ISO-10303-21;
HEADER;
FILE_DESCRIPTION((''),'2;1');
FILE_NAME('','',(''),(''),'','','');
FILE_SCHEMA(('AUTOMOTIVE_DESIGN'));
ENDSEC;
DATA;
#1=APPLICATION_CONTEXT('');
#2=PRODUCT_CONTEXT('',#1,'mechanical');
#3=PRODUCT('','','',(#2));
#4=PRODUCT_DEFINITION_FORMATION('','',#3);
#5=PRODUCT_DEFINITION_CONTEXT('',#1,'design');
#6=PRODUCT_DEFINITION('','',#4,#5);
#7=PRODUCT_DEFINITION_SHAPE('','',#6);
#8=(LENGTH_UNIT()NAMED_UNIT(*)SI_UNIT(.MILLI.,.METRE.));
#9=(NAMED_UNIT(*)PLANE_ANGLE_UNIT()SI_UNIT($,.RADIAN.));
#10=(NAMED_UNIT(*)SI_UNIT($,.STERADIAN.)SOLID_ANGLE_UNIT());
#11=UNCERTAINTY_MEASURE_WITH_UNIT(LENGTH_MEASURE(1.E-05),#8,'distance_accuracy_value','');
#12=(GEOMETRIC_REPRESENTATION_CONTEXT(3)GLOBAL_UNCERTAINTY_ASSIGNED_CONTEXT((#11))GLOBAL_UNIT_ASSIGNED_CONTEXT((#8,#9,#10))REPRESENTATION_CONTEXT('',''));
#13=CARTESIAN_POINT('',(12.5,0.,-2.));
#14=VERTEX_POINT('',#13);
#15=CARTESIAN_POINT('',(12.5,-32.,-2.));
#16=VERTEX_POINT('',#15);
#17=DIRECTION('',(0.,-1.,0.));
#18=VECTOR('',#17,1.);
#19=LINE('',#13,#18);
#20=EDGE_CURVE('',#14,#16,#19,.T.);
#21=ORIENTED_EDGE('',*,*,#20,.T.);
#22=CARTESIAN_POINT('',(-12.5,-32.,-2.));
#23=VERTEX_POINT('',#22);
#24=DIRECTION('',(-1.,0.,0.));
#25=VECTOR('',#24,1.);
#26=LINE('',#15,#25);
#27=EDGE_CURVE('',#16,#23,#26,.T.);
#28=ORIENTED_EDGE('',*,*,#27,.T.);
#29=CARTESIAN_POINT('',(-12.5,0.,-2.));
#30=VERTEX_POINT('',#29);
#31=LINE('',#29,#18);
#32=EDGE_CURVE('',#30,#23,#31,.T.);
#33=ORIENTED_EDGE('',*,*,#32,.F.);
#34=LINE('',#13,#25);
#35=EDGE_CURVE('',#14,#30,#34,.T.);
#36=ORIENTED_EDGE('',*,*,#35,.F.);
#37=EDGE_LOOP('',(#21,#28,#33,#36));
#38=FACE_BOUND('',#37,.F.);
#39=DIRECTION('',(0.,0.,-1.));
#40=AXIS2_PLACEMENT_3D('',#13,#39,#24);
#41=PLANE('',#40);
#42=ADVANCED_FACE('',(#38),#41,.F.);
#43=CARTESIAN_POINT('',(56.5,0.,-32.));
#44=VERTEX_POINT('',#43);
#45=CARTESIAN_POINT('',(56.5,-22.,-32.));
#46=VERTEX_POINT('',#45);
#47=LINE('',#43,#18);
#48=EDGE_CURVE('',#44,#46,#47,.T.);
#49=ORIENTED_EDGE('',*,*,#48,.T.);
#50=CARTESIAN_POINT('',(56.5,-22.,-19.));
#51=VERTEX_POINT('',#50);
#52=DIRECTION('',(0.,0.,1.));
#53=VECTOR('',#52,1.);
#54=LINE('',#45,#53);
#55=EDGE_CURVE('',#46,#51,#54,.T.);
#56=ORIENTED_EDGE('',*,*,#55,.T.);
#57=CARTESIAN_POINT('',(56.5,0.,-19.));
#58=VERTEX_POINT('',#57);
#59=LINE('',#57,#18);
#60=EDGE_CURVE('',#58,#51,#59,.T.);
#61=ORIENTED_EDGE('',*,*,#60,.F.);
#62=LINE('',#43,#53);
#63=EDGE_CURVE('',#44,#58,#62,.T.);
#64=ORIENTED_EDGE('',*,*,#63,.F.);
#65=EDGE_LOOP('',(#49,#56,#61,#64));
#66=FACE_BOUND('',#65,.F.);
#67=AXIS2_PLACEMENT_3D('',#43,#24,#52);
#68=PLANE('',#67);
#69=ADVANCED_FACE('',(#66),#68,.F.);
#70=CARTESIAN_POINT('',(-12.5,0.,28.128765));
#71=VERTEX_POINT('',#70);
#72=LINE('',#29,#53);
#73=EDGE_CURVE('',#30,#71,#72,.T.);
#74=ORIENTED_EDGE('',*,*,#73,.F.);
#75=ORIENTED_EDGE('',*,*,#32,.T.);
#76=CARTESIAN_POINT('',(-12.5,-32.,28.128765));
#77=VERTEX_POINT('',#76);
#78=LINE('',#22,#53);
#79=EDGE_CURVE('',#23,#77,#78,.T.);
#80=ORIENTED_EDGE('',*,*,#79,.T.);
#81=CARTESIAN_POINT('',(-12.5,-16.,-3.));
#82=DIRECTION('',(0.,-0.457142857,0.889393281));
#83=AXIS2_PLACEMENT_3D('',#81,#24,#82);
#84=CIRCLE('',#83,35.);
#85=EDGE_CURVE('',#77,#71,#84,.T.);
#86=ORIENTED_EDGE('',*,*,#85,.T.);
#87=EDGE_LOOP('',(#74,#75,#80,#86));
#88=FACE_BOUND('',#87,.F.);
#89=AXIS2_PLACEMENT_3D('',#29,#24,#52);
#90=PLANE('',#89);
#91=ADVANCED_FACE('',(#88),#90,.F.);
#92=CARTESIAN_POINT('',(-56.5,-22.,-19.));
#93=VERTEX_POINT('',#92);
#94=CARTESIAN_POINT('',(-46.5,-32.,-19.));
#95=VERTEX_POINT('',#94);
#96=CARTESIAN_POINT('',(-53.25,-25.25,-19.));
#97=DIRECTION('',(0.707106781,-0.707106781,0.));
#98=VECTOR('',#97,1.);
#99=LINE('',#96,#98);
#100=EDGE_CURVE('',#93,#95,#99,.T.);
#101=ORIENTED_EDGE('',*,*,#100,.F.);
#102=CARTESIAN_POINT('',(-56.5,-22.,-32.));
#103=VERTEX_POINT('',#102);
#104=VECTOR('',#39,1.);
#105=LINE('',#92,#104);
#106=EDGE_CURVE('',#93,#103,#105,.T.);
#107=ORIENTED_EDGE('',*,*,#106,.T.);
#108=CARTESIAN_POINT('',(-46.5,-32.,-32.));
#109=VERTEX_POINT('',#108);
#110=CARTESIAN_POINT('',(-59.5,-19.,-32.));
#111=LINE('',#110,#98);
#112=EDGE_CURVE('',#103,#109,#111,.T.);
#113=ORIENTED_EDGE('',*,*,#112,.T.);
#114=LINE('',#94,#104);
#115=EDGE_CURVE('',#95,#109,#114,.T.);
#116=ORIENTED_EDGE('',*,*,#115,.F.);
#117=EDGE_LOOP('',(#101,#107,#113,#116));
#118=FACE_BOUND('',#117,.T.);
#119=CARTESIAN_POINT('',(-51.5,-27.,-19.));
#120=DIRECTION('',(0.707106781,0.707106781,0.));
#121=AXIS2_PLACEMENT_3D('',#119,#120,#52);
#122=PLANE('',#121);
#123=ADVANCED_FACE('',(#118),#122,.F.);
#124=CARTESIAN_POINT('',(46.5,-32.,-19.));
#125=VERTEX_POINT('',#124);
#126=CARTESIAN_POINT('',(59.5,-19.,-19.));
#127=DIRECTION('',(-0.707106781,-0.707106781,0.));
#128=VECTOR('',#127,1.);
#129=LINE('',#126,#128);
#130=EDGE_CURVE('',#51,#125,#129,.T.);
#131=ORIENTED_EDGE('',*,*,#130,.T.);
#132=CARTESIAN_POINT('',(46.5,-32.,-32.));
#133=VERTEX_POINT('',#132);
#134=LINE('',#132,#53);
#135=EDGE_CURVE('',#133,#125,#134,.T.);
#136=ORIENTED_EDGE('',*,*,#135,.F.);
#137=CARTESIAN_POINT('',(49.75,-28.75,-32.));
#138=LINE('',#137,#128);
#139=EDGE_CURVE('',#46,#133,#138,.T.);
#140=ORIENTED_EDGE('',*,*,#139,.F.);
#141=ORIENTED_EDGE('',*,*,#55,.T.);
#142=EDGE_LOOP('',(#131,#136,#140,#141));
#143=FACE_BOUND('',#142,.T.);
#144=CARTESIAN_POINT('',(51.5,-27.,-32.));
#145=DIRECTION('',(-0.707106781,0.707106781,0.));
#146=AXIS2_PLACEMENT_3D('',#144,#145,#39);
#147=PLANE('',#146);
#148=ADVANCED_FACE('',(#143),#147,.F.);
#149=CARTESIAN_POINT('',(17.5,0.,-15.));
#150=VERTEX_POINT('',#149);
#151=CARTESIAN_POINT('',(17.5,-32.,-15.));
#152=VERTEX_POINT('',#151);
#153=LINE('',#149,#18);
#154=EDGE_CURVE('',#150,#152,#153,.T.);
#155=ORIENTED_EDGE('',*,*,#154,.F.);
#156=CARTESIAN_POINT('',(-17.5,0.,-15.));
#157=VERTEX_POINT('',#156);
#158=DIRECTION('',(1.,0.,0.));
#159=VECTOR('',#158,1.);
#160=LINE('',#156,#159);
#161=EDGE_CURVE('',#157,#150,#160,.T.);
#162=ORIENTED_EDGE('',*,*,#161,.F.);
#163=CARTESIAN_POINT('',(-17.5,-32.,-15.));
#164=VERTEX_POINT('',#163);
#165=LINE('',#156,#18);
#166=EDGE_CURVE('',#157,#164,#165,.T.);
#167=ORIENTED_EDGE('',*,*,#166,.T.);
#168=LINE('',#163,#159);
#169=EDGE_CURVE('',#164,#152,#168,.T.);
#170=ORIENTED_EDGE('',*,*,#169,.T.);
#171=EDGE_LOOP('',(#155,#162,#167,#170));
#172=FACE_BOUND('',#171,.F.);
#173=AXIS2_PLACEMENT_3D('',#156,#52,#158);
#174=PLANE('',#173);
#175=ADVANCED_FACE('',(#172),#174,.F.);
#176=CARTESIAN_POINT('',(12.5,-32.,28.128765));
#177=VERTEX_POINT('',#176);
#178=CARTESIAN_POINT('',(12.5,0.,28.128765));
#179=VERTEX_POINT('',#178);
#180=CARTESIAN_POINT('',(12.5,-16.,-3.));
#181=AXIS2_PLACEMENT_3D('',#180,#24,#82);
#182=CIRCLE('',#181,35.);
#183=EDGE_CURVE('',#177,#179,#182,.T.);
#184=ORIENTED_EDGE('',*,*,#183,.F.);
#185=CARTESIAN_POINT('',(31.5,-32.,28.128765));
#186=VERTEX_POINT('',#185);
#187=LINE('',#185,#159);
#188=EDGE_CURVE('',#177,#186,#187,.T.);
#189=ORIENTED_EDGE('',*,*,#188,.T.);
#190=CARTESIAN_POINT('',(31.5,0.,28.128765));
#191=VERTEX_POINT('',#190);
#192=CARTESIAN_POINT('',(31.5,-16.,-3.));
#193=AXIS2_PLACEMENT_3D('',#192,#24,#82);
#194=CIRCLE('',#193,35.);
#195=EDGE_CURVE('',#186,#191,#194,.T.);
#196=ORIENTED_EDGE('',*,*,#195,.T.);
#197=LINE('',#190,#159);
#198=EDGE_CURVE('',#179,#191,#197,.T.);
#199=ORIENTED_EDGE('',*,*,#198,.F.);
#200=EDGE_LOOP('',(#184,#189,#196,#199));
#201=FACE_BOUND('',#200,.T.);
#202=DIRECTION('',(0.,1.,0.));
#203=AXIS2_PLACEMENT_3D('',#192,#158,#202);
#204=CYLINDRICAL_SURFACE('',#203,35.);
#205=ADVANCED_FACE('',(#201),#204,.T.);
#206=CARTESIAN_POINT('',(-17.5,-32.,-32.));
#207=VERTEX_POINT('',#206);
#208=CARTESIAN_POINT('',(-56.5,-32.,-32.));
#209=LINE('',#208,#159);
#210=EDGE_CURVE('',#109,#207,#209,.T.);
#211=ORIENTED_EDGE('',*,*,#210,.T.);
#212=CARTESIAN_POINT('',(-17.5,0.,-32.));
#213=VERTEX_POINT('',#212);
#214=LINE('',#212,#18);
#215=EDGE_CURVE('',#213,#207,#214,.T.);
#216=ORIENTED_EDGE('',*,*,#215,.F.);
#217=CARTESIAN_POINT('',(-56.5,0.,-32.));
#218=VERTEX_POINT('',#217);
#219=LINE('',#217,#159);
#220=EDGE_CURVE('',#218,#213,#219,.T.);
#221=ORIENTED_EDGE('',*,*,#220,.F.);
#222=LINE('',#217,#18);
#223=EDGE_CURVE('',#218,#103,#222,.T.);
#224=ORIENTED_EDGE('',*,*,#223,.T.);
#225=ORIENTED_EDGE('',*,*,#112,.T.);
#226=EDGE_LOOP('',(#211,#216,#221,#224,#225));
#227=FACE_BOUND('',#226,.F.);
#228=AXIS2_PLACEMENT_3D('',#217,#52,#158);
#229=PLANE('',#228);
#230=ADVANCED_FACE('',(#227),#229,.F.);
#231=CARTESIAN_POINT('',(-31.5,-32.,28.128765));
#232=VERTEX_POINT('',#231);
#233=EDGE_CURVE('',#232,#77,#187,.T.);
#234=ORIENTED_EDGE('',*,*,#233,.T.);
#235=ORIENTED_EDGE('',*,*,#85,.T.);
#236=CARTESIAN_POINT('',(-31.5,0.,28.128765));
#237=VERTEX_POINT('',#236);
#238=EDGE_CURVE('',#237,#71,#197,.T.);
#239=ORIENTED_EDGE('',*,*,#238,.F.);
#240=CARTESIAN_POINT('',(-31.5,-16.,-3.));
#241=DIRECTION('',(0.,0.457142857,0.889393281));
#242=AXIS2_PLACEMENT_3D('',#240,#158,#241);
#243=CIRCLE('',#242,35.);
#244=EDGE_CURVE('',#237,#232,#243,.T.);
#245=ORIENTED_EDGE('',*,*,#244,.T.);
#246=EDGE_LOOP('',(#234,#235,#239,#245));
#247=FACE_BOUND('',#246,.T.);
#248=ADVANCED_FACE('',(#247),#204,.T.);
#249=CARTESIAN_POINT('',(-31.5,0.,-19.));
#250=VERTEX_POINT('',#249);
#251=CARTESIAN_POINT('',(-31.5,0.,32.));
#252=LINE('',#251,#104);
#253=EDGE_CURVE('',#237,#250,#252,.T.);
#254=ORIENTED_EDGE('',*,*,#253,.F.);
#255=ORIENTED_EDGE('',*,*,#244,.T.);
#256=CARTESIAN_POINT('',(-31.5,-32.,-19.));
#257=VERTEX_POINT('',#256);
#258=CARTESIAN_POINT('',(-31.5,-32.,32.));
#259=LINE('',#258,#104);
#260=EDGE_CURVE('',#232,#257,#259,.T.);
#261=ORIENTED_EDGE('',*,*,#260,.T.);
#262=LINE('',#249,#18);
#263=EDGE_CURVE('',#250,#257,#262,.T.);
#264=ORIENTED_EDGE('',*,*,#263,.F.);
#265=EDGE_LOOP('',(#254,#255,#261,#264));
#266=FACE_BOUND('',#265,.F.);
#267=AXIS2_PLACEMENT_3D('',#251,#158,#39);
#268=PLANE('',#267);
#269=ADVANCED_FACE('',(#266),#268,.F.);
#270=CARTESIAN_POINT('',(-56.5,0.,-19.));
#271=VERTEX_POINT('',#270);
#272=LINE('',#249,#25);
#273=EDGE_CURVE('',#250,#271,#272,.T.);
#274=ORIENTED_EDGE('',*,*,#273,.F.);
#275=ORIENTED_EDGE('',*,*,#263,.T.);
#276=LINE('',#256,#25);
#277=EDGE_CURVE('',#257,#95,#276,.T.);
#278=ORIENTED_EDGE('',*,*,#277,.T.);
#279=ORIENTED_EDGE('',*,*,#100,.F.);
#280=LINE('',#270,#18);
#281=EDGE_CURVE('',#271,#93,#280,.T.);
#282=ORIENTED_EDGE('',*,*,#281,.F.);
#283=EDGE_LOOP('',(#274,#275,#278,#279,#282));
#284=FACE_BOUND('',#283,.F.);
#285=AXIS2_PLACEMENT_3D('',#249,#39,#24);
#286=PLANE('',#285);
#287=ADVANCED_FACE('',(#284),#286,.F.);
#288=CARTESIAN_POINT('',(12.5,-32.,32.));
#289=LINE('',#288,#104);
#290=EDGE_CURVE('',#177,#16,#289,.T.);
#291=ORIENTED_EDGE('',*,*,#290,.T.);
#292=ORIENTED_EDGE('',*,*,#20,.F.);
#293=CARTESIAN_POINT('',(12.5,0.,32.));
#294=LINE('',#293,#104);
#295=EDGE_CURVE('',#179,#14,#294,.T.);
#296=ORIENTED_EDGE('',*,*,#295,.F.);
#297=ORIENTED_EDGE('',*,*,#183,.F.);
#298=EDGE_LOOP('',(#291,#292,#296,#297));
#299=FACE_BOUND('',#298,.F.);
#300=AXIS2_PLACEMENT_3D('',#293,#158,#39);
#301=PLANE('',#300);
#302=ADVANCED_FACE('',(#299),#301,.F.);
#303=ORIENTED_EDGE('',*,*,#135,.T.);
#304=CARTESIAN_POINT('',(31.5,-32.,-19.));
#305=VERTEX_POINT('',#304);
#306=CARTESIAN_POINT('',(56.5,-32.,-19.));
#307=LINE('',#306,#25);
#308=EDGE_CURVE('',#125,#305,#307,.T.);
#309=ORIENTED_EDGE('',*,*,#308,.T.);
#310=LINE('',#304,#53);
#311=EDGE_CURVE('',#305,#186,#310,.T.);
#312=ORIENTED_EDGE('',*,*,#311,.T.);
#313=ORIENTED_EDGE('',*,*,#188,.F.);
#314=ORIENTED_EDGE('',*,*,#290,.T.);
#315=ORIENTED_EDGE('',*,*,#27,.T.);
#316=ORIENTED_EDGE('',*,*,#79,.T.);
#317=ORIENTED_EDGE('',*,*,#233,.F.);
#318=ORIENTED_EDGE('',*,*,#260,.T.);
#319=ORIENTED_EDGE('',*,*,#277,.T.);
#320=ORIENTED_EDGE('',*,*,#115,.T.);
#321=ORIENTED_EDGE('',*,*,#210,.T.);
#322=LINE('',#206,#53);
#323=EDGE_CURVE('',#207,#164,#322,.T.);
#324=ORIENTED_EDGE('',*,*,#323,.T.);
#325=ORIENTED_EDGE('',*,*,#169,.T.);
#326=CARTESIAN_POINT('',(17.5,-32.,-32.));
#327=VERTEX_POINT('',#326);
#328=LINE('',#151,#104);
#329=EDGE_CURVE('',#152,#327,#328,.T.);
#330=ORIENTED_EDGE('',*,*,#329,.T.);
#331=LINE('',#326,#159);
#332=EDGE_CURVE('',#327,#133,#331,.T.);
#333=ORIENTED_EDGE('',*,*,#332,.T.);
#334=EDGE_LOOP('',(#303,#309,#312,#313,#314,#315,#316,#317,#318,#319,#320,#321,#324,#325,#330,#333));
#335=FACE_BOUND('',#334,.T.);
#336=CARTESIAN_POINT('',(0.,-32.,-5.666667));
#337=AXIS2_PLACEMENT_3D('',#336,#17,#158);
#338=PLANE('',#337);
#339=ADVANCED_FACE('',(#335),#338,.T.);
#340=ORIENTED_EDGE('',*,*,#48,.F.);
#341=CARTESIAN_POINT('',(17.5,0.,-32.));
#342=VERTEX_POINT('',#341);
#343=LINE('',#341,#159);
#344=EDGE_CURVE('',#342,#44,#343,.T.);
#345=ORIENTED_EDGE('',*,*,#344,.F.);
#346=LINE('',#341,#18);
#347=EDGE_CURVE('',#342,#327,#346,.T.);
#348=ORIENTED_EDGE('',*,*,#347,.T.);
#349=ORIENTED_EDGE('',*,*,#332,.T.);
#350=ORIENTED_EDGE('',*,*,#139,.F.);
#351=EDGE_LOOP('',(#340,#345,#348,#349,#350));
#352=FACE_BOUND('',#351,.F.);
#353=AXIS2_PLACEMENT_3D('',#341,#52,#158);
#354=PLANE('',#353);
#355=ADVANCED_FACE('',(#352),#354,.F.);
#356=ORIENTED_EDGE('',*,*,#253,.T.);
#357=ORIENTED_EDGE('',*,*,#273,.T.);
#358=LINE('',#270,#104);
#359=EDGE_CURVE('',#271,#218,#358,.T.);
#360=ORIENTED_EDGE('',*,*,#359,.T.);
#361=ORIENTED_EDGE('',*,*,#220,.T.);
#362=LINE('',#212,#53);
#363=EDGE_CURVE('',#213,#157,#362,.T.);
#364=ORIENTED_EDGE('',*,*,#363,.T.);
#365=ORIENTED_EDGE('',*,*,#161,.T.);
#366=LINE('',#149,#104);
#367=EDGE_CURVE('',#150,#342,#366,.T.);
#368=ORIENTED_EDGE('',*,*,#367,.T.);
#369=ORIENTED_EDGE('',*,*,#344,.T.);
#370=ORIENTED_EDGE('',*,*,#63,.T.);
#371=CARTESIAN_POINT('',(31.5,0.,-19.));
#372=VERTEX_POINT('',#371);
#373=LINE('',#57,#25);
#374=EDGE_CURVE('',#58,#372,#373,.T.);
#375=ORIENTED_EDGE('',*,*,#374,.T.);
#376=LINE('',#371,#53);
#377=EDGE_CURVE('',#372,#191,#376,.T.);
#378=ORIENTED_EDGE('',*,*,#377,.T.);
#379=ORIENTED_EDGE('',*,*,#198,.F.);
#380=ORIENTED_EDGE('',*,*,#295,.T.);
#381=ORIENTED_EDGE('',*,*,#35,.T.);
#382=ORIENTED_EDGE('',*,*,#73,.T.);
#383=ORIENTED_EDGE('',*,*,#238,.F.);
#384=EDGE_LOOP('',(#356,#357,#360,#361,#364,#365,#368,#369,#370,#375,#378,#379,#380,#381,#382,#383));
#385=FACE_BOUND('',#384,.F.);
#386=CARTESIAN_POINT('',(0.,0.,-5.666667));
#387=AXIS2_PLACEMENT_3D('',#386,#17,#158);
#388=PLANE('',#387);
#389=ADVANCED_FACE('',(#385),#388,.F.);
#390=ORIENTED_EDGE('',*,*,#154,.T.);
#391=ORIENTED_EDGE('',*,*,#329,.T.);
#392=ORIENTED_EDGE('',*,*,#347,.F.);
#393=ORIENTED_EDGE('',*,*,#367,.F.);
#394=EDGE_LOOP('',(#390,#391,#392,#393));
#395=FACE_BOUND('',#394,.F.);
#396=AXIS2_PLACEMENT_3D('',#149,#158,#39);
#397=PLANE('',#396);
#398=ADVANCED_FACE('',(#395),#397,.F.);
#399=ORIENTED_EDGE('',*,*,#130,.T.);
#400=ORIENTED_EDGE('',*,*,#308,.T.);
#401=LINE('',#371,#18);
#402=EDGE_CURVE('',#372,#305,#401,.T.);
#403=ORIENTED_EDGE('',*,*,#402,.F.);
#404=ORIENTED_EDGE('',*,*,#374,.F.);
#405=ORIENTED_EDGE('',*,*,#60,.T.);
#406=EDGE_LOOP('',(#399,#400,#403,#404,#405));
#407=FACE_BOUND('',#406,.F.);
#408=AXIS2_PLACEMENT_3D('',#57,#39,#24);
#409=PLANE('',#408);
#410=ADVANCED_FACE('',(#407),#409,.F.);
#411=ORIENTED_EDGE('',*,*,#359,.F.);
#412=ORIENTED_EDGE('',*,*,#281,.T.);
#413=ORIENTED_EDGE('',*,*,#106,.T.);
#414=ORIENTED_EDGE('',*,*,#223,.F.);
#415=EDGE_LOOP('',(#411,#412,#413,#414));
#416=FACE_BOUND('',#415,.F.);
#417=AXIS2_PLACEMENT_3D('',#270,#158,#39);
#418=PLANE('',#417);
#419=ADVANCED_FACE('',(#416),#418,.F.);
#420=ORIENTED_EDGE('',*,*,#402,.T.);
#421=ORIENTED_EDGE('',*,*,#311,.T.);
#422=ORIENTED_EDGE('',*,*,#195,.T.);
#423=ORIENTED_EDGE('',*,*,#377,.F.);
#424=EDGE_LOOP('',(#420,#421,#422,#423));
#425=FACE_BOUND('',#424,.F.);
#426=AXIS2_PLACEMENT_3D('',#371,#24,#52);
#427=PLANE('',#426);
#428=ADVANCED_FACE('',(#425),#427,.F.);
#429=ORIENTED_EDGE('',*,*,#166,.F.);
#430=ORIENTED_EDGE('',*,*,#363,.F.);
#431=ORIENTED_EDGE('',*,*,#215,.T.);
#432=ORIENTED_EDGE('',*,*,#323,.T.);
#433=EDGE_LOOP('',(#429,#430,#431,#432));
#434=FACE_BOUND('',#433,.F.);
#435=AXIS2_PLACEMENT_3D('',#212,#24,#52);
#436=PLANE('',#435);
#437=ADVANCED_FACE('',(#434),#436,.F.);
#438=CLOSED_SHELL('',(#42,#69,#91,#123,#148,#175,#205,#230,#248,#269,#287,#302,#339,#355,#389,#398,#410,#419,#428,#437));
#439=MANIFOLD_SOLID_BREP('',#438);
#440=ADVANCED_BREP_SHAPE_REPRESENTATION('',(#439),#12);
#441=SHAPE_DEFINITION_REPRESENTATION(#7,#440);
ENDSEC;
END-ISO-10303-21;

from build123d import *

# Parameters (mm, degrees)
F1_DEPTH = 32
F2_R     = 43.740238
F2_R_2   = 35
F3_DEPTH = 88.001
F4_SIZE2 = 10
F4_SIZE  = 10


with BuildPart() as f1:
    # F0 (on Front) → F1 (new body)
    with BuildSketch(Plane.XZ):
        Polygon((-12.5, 32), (-31.5, 32), (-31.5, -19), (-56.5, -19), (-56.5, -32), (-17.5, -32), (-17.5, -15), (17.5, -15), (17.5, -32), (56.5, -32), (56.5, -19), (31.5, -19), (31.5, 32), (12.5, 32), (12.5, -2), (-12.5, -2), align=None)
    extrude(amount=F1_DEPTH)

    # F2 (on face) → F3 (cut, through all)
    with BuildSketch(Plane.YZ.offset(31.5)):
        with Locations((-16, -3)):
            Circle(F2_R)
        with Locations((-16, -3)):
            Circle(F2_R_2, mode=Mode.SUBTRACT)
    extrude(amount=-F3_DEPTH, mode=Mode.SUBTRACT)

    # F4
    f4_edges = [f1.edges().sort_by_distance(p)[0] for p in [
        (-56.5, -32, -25.5),
        (56.5, -32, -25.5),
    ]]
    chamfer(f4_edges, length=F4_SIZE, length2=F4_SIZE2)


solid = f1.part
